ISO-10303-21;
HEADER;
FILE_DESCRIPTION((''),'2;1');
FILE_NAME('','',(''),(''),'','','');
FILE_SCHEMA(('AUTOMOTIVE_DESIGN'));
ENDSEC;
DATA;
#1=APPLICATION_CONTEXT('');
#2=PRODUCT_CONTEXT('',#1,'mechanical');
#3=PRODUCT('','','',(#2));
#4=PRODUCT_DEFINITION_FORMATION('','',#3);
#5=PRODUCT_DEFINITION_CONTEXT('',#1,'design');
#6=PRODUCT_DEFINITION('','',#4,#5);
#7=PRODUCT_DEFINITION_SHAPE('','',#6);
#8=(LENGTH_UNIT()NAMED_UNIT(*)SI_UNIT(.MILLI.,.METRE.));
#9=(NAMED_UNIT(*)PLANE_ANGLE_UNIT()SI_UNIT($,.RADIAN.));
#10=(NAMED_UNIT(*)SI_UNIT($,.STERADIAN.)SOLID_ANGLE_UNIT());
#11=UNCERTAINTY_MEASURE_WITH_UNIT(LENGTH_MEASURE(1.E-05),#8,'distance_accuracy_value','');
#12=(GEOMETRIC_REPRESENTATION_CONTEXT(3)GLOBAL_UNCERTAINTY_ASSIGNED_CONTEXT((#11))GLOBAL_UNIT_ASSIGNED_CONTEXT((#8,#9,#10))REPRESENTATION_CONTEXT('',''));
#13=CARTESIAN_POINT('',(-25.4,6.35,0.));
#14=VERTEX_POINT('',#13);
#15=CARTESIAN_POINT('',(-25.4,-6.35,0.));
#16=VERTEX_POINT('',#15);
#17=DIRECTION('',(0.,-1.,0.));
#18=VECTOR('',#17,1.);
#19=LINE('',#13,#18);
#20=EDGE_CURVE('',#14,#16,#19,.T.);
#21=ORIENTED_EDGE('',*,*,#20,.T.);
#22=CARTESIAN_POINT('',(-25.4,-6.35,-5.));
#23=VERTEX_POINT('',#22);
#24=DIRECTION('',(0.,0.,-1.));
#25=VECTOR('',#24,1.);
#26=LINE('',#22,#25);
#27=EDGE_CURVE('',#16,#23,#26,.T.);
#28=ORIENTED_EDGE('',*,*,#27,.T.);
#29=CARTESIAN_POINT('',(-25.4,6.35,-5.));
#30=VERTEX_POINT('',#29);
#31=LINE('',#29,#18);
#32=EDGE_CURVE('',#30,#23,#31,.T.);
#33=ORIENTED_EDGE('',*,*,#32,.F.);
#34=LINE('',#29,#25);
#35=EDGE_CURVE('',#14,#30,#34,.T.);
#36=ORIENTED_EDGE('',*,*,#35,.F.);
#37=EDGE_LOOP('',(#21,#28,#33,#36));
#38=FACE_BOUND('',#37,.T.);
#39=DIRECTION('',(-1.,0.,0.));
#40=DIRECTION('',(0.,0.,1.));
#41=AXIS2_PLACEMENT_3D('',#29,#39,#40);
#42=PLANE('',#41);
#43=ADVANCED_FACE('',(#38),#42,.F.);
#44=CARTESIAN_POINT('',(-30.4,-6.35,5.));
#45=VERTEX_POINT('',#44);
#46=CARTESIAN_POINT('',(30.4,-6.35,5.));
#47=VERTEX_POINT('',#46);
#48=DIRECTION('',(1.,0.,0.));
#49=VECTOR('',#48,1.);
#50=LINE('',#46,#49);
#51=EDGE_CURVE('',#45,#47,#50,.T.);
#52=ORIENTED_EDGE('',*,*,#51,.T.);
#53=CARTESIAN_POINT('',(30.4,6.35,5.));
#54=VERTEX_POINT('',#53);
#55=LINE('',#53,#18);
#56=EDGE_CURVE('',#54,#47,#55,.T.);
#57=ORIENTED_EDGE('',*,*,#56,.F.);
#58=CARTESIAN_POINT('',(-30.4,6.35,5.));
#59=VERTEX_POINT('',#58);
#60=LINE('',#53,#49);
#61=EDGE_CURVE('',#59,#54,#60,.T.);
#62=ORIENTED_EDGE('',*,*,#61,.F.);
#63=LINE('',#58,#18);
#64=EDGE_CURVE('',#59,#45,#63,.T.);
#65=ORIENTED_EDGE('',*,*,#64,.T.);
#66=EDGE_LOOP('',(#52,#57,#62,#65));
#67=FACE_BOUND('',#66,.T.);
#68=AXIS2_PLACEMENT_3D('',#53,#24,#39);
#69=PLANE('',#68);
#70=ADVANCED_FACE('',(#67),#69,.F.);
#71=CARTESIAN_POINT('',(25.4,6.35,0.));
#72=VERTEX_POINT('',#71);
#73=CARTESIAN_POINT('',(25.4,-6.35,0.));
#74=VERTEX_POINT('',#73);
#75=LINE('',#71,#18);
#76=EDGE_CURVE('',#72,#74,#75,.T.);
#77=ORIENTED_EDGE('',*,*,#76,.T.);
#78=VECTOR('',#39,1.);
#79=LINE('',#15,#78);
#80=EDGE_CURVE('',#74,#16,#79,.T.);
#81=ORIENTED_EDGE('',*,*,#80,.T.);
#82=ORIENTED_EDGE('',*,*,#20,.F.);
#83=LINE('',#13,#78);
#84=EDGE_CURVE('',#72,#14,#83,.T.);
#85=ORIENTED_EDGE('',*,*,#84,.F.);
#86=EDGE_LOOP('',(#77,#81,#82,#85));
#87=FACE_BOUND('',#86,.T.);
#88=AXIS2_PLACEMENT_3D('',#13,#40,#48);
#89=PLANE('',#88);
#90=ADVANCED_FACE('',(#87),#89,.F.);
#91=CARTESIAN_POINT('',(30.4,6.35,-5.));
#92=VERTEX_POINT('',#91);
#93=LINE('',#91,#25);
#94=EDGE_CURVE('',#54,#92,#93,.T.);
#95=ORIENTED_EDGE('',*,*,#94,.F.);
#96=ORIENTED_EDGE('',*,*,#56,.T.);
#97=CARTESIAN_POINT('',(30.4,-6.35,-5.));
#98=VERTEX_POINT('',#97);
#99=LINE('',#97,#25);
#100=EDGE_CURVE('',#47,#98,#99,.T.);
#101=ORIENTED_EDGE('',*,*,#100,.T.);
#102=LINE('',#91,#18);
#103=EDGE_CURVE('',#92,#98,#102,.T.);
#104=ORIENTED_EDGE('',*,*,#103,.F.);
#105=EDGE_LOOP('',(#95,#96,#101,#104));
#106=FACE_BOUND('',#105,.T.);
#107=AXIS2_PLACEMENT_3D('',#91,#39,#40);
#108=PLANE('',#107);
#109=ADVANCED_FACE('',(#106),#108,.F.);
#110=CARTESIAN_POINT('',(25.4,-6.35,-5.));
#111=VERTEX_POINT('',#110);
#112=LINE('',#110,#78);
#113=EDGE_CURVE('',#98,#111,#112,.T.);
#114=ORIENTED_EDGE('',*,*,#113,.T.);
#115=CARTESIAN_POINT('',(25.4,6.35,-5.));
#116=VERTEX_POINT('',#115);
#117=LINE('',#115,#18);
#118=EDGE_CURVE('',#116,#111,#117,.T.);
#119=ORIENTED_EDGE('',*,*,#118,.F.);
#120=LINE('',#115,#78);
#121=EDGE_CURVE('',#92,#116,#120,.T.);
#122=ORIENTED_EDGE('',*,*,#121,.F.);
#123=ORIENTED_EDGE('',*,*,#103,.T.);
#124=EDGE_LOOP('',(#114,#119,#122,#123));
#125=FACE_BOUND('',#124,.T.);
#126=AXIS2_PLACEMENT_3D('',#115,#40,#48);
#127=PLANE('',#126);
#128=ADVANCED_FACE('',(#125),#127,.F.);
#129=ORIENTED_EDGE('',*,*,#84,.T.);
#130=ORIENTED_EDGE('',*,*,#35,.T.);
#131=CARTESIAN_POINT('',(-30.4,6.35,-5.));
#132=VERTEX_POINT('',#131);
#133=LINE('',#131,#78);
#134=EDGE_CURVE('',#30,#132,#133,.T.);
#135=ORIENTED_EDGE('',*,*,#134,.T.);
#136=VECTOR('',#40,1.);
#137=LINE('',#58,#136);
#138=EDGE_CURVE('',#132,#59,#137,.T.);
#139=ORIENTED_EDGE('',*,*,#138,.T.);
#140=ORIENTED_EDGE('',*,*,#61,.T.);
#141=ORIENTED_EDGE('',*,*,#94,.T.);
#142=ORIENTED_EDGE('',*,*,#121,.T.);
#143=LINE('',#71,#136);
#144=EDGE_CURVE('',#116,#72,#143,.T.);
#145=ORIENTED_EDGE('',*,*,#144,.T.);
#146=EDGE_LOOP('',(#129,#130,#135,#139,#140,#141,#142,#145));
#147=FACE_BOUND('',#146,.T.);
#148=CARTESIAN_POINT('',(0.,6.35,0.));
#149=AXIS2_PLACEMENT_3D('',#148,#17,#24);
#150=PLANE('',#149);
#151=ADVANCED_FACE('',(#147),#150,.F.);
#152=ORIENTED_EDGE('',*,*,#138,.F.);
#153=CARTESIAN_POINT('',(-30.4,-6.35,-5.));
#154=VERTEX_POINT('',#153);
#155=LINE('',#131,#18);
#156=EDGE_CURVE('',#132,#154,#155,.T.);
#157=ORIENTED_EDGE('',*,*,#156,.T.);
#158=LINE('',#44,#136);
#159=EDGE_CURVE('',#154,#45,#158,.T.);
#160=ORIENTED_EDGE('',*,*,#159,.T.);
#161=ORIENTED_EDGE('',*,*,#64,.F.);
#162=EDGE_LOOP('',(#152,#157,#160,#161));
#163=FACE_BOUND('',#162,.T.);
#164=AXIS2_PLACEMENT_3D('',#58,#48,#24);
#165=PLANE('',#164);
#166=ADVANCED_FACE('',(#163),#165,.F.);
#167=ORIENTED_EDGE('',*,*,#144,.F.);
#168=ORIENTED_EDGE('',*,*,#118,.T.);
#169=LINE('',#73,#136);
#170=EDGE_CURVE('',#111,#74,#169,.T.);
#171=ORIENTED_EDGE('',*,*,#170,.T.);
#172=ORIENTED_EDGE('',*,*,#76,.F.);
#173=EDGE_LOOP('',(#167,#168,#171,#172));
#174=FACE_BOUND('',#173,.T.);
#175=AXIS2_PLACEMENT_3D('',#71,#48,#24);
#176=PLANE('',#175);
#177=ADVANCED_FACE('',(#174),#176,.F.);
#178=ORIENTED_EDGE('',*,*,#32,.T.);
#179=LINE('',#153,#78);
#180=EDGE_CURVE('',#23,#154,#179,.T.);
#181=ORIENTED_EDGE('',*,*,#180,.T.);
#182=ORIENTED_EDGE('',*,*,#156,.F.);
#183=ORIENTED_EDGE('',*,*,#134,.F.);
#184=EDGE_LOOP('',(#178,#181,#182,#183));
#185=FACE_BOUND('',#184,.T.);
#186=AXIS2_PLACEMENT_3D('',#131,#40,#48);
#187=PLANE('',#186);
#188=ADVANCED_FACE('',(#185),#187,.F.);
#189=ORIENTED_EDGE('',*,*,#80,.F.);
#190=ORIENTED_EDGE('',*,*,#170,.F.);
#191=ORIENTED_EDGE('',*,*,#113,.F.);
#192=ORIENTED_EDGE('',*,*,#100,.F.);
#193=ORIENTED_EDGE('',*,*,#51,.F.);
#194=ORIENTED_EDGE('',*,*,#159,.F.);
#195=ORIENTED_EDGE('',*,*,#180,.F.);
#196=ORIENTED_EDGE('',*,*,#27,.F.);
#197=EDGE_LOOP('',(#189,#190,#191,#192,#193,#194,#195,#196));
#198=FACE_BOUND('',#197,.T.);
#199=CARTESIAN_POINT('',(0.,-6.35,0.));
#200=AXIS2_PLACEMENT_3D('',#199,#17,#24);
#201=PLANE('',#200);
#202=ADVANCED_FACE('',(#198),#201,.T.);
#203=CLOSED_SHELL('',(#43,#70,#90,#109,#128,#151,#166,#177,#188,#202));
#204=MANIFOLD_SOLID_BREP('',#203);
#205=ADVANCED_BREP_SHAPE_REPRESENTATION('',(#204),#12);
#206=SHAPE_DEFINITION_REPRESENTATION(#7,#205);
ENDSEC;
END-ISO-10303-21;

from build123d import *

# Parameters (mm, degrees)
BOSS_EXTRUDE1_DEPTH = 6.35


with BuildPart() as part:
    # Sketch1 → Boss-Extrude1 (new, symmetric)
    with BuildSketch(Plane(origin=(0, 0, 0), x_dir=(1, 0, 0), z_dir=(0, 1, 0))):
        Polygon((-30.4, 5), (-25.4, 5), (-25.4, 0), (25.4, 0), (25.4, 5), (30.4, 5), (30.4, -5), (-30.4, -5), align=None)
    extrude(amount=BOSS_EXTRUDE1_DEPTH, both=True)


solid = part.part
